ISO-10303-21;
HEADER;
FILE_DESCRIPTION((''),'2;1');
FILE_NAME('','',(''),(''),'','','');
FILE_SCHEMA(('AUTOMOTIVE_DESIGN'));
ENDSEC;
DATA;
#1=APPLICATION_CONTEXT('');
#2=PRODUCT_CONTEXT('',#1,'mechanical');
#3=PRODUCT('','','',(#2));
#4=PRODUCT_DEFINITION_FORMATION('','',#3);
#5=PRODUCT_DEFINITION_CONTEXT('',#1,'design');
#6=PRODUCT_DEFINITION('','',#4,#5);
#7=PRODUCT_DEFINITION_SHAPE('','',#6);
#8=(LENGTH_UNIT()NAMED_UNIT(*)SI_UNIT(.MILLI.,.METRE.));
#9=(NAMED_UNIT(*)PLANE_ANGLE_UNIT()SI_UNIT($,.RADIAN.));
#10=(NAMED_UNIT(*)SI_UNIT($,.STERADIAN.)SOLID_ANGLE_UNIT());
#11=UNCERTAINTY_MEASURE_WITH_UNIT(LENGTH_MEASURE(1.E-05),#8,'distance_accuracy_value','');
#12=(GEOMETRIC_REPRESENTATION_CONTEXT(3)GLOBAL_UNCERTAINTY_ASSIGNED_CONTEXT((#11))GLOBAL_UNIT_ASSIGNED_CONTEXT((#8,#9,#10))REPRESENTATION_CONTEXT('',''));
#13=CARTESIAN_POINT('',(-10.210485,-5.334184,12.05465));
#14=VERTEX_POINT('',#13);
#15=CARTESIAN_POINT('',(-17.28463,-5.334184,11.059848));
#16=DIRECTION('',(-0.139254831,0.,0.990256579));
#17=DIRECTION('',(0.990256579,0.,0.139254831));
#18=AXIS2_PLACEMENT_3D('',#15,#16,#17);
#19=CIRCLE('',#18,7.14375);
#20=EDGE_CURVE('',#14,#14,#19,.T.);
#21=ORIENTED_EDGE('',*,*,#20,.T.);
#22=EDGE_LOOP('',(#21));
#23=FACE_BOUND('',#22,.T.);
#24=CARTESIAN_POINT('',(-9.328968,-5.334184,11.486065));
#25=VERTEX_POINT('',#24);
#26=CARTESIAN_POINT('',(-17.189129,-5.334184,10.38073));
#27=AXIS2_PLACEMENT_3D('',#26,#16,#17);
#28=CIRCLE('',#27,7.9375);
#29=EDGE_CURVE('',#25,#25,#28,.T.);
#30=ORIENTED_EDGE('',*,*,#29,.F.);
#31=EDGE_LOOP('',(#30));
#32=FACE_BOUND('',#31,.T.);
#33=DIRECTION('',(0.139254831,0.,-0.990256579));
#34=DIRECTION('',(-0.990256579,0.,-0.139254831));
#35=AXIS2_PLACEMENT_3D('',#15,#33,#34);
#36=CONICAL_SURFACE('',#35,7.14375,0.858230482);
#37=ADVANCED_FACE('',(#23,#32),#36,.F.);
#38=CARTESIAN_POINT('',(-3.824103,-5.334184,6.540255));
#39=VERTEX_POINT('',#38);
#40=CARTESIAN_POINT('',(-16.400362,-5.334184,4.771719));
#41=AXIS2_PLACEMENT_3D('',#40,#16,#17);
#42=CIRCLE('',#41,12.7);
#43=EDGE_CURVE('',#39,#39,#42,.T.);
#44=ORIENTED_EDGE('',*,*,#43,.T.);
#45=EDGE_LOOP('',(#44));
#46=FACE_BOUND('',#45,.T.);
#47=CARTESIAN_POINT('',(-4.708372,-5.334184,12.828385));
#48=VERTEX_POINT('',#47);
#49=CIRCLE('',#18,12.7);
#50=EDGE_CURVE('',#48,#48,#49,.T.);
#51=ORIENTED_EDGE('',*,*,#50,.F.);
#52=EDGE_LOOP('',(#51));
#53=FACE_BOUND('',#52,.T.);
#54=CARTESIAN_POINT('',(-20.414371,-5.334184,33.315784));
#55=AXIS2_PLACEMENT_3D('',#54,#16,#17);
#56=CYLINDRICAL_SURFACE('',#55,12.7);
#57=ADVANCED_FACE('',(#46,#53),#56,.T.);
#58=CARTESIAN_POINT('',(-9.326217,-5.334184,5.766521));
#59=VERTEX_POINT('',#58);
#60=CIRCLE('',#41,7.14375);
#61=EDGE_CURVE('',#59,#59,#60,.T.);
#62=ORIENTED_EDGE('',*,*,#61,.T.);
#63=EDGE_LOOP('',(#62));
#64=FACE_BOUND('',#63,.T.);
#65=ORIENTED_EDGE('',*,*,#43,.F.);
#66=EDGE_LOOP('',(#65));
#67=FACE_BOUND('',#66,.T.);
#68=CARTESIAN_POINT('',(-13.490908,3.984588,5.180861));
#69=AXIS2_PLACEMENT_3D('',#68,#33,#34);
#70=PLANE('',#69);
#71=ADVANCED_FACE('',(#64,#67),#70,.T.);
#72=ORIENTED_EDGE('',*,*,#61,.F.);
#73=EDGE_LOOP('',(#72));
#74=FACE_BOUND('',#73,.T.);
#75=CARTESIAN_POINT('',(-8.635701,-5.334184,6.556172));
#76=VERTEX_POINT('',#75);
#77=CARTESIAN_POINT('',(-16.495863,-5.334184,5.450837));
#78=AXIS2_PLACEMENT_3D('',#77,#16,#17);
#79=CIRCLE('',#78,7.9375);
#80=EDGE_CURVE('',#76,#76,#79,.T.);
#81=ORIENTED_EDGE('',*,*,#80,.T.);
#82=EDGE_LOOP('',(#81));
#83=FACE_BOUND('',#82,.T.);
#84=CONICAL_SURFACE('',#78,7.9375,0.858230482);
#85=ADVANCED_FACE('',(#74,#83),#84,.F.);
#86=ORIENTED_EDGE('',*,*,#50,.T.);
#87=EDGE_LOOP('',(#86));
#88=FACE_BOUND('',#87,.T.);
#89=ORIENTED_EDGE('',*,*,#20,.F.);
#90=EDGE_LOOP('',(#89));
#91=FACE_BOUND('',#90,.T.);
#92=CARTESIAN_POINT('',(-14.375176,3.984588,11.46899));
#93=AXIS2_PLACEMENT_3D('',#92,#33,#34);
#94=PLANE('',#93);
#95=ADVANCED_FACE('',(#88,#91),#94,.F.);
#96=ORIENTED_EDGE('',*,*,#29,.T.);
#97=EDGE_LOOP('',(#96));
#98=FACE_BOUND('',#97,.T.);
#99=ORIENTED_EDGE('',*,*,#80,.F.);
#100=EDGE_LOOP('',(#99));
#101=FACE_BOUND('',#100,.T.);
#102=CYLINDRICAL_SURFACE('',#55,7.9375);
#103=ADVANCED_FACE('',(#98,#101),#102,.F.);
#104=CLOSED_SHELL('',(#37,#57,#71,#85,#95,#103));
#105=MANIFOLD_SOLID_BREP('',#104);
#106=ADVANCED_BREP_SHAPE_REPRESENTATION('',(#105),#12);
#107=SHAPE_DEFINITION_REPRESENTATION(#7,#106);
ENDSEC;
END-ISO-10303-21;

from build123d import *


with BuildPart() as part:
    # Sketch1 → Revolve1 (revolve)
    with BuildSketch(Plane(origin=(-20.172782733, 5.286355785, 55.643740063), x_dir=(0.139254831399095, 0, -0.9902565788380352), z_dir=(0.9444278759611343, -0.30069493816318704, 0.13281017005703089)), mode=Mode.PRIVATE) as revolve1_sk:
        Polygon((44.551681452, -18.27965516), (45.237481452, -19.07340516), (50.215881452, -19.07340516), (50.901681452, -18.27965516), (50.901681452, -19.07340516), (50.901681452, -23.83590516), (44.551681452, -23.83590516), (44.551681452, -19.07340516), align=None)
    revolve(revolve1_sk.sketch.rotate(Axis((-20.414371122, -5.334183863, 33.31578353), (0.13925483139909509, 0, -0.9902565788380352)), 252.500652508), axis=Axis((-20.414371122, -5.334183863, 33.31578353), (0.13925483139909509, 0, -0.9902565788380352)))


solid = part.part
